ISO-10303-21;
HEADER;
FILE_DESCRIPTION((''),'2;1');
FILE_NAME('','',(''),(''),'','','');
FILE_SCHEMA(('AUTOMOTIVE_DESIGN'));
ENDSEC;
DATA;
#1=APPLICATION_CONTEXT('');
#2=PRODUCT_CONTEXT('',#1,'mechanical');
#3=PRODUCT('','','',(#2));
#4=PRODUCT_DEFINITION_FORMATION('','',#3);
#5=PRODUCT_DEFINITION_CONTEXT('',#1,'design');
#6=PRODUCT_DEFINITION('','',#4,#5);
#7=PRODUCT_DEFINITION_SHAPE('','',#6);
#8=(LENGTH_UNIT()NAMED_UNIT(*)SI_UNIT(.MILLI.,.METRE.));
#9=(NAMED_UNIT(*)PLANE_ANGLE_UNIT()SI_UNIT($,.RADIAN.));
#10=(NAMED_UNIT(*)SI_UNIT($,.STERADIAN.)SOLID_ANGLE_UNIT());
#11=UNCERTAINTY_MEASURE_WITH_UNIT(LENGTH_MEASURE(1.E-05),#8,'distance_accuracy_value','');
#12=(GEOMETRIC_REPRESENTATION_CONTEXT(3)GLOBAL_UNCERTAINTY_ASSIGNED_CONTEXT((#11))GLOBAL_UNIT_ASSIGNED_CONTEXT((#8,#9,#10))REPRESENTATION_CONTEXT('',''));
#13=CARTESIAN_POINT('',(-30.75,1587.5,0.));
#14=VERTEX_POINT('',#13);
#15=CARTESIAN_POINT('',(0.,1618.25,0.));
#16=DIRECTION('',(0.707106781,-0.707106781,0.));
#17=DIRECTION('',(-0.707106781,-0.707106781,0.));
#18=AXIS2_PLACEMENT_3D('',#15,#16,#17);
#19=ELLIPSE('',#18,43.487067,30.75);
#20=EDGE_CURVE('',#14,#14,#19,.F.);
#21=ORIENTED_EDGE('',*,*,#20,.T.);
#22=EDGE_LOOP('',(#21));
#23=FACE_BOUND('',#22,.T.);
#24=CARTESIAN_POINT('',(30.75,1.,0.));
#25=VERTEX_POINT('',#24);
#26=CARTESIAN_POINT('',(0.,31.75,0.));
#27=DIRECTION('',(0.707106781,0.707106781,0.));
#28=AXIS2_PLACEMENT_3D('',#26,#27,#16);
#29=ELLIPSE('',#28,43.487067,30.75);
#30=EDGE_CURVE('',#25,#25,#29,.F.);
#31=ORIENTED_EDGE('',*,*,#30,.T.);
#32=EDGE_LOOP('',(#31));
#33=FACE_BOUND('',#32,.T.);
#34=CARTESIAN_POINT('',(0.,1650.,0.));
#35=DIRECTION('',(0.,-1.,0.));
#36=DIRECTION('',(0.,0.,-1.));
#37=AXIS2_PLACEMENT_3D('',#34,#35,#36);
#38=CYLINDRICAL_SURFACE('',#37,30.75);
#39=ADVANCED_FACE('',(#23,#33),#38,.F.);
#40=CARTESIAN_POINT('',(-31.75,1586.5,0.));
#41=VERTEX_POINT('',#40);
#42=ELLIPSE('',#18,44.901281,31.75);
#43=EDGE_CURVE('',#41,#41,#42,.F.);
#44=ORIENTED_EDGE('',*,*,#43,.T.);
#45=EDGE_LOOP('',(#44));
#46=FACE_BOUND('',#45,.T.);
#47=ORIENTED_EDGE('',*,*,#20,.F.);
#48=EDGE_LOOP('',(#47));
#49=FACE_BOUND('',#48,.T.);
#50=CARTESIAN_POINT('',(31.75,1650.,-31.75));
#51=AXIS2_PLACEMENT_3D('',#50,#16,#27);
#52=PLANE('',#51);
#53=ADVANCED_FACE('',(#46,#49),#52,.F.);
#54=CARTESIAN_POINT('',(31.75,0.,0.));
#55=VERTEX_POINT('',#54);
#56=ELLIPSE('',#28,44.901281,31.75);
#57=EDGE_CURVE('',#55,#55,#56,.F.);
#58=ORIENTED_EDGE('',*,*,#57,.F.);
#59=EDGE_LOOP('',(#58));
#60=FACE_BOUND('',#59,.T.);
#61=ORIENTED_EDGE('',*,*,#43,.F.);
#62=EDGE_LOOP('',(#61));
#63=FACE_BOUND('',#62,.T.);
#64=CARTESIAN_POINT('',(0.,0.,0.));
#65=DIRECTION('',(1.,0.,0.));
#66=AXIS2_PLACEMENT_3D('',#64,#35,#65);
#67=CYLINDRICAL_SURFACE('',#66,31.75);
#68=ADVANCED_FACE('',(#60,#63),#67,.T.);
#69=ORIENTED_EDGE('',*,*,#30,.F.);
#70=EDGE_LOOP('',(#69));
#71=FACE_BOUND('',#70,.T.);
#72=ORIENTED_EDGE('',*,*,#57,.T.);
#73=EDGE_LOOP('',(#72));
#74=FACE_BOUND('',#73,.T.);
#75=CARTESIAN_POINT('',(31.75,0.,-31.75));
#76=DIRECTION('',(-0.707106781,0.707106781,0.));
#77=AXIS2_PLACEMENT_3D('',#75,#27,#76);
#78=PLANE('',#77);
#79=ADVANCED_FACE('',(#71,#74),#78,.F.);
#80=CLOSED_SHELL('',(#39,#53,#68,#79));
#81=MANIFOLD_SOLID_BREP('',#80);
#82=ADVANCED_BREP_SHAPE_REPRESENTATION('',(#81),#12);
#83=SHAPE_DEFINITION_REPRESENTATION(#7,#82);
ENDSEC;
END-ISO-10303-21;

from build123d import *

# Parameters (mm, degrees)
ESBO_O2_W                  = 31.75
ESBO_O2_H                  = 1650
CORTE_EXTRUS_O1_DEPTH      = 1651.610833904
CORTE_EXTRUS_O1_DEPTH_BACK = 1651.610833904
ESBO_O9_R                  = 30.75
CORTE_EXTRUS_O6_DEPTH      = 1651.610833904


with BuildPart() as part:
    # Esboço2 → Revolução2 (revolve)
    with BuildSketch(Plane.XY):
        with Locations((15.875, 825)):
            Rectangle(ESBO_O2_W, ESBO_O2_H)
    revolve(axis=Axis((0, 0, 0), (0, 1, 0)))

    # Esboço3 → Corte-extrusão1 (cut, two sides: drawn at the far end of the back side and taken through both)
    with BuildSketch(Plane.XY.offset(-CORTE_EXTRUS_O1_DEPTH_BACK)):
        Polygon((-31.75, 1650), (31.75, 1650), (-31.75, 1586.5), align=None)
        Polygon((31.75, 0), (-31.75, 63.5), (-31.75, 0), align=None)
    extrude(amount=CORTE_EXTRUS_O1_DEPTH + CORTE_EXTRUS_O1_DEPTH_BACK, mode=Mode.SUBTRACT)

    # Esboço9 → Corte-extrusão6 (cut, through all)
    with BuildSketch(Plane(origin=(0, 0, 0), x_dir=(1, 0, 0), z_dir=(0, 1, 0))):
        Circle(ESBO_O9_R)
    extrude(amount=CORTE_EXTRUS_O6_DEPTH, mode=Mode.SUBTRACT)


solid = part.part
